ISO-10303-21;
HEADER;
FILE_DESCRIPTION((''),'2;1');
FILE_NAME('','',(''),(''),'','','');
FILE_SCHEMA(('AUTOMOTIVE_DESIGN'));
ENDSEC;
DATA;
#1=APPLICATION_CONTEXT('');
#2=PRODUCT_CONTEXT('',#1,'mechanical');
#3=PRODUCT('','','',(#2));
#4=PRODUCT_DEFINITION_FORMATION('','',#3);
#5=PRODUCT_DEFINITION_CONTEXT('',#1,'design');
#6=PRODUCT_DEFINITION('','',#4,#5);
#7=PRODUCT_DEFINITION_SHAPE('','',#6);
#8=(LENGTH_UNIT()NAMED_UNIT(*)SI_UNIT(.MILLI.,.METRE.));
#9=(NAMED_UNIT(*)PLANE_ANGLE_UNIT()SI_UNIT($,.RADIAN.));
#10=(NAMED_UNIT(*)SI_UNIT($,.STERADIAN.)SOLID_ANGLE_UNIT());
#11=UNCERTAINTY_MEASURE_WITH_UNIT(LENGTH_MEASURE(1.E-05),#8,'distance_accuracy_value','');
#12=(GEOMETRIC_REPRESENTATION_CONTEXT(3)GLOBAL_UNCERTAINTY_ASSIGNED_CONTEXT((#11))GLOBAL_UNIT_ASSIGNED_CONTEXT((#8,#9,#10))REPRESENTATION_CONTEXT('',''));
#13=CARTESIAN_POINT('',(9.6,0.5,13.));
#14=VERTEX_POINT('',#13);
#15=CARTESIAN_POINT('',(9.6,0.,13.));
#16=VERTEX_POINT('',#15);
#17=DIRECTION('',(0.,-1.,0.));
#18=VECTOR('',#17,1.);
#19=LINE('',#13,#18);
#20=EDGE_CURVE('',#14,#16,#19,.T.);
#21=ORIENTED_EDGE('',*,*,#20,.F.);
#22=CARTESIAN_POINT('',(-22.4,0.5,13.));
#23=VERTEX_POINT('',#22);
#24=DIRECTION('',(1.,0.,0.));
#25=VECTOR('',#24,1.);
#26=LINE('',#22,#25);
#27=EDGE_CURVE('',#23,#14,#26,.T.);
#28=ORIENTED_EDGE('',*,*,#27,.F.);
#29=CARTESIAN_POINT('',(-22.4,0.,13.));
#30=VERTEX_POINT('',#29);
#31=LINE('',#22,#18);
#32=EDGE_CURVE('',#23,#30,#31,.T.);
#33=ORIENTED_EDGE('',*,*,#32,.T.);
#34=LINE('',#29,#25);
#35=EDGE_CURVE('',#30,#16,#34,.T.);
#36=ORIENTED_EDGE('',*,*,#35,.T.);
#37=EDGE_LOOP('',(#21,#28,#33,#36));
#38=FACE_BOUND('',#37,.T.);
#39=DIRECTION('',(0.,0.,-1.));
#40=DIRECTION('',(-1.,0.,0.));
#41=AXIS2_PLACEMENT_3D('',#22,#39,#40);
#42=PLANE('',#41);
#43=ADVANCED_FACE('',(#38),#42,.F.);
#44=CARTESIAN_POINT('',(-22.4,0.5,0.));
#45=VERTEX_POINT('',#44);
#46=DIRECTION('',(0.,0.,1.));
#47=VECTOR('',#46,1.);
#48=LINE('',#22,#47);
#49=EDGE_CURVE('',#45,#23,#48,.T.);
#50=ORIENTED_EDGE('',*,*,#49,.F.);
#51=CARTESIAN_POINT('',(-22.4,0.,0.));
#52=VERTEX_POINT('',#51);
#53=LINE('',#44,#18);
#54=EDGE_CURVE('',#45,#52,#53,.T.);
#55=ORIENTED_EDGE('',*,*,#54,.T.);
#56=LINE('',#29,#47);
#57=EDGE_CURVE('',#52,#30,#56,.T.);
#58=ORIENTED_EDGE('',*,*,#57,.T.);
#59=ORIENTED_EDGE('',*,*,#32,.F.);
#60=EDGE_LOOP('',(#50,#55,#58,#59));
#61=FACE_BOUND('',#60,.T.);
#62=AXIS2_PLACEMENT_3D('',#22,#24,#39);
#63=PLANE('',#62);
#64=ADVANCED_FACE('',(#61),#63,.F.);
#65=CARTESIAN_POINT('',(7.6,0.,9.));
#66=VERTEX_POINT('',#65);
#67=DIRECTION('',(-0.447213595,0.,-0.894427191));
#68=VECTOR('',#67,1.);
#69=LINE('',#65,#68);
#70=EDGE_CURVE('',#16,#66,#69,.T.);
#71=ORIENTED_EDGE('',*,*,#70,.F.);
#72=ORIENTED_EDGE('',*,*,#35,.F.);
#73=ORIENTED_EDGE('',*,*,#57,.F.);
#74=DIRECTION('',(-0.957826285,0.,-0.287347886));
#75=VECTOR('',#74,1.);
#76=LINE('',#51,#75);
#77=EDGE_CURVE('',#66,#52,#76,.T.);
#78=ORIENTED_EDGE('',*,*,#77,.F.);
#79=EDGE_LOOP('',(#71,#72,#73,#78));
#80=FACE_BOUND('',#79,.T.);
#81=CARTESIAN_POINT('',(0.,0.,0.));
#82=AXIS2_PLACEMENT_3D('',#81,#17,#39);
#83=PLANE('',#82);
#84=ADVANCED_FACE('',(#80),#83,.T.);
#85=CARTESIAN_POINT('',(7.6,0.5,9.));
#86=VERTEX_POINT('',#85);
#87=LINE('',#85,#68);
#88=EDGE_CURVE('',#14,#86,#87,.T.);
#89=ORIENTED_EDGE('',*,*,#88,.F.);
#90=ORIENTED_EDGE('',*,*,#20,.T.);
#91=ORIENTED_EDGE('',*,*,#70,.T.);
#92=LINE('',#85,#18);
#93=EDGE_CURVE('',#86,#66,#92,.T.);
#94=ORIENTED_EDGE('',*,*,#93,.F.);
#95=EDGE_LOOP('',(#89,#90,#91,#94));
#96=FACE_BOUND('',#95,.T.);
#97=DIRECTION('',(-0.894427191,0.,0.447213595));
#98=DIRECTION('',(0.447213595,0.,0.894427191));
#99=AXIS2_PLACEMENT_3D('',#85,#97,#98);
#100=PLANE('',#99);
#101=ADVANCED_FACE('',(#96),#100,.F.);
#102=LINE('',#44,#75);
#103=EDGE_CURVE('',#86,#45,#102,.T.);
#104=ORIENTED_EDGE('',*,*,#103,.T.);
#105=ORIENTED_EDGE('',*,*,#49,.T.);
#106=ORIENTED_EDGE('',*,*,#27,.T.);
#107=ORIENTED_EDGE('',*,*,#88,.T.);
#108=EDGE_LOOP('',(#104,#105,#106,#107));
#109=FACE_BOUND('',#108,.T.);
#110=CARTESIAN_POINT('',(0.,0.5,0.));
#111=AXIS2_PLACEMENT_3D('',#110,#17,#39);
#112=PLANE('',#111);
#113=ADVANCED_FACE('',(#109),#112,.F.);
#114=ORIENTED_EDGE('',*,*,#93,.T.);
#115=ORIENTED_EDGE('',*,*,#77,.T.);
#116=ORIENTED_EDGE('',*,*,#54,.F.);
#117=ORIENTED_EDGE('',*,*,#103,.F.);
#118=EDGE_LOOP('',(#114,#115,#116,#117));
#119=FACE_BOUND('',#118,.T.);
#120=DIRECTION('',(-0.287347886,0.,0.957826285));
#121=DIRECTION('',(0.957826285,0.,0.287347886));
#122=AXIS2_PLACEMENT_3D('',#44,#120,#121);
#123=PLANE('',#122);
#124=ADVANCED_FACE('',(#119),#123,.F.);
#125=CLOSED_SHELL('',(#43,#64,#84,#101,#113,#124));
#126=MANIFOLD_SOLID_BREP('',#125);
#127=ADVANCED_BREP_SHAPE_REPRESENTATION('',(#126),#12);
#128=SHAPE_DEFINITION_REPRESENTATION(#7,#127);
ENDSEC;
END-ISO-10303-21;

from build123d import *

# Parameters (mm, degrees)
BOSS_EXTRUDE1_DEPTH = 0.5


with BuildPart() as part:
    # Sketch1 → Boss-Extrude1 (new body)
    with BuildSketch(Plane(origin=(0, 0, 0), x_dir=(1, 0, 0), z_dir=(0, 1, 0))):
        Polygon((-22.4, -13), (9.6, -13), (7.6, -9), (-22.4, 0), align=None)
    extrude(amount=BOSS_EXTRUDE1_DEPTH)


solid = part.part
